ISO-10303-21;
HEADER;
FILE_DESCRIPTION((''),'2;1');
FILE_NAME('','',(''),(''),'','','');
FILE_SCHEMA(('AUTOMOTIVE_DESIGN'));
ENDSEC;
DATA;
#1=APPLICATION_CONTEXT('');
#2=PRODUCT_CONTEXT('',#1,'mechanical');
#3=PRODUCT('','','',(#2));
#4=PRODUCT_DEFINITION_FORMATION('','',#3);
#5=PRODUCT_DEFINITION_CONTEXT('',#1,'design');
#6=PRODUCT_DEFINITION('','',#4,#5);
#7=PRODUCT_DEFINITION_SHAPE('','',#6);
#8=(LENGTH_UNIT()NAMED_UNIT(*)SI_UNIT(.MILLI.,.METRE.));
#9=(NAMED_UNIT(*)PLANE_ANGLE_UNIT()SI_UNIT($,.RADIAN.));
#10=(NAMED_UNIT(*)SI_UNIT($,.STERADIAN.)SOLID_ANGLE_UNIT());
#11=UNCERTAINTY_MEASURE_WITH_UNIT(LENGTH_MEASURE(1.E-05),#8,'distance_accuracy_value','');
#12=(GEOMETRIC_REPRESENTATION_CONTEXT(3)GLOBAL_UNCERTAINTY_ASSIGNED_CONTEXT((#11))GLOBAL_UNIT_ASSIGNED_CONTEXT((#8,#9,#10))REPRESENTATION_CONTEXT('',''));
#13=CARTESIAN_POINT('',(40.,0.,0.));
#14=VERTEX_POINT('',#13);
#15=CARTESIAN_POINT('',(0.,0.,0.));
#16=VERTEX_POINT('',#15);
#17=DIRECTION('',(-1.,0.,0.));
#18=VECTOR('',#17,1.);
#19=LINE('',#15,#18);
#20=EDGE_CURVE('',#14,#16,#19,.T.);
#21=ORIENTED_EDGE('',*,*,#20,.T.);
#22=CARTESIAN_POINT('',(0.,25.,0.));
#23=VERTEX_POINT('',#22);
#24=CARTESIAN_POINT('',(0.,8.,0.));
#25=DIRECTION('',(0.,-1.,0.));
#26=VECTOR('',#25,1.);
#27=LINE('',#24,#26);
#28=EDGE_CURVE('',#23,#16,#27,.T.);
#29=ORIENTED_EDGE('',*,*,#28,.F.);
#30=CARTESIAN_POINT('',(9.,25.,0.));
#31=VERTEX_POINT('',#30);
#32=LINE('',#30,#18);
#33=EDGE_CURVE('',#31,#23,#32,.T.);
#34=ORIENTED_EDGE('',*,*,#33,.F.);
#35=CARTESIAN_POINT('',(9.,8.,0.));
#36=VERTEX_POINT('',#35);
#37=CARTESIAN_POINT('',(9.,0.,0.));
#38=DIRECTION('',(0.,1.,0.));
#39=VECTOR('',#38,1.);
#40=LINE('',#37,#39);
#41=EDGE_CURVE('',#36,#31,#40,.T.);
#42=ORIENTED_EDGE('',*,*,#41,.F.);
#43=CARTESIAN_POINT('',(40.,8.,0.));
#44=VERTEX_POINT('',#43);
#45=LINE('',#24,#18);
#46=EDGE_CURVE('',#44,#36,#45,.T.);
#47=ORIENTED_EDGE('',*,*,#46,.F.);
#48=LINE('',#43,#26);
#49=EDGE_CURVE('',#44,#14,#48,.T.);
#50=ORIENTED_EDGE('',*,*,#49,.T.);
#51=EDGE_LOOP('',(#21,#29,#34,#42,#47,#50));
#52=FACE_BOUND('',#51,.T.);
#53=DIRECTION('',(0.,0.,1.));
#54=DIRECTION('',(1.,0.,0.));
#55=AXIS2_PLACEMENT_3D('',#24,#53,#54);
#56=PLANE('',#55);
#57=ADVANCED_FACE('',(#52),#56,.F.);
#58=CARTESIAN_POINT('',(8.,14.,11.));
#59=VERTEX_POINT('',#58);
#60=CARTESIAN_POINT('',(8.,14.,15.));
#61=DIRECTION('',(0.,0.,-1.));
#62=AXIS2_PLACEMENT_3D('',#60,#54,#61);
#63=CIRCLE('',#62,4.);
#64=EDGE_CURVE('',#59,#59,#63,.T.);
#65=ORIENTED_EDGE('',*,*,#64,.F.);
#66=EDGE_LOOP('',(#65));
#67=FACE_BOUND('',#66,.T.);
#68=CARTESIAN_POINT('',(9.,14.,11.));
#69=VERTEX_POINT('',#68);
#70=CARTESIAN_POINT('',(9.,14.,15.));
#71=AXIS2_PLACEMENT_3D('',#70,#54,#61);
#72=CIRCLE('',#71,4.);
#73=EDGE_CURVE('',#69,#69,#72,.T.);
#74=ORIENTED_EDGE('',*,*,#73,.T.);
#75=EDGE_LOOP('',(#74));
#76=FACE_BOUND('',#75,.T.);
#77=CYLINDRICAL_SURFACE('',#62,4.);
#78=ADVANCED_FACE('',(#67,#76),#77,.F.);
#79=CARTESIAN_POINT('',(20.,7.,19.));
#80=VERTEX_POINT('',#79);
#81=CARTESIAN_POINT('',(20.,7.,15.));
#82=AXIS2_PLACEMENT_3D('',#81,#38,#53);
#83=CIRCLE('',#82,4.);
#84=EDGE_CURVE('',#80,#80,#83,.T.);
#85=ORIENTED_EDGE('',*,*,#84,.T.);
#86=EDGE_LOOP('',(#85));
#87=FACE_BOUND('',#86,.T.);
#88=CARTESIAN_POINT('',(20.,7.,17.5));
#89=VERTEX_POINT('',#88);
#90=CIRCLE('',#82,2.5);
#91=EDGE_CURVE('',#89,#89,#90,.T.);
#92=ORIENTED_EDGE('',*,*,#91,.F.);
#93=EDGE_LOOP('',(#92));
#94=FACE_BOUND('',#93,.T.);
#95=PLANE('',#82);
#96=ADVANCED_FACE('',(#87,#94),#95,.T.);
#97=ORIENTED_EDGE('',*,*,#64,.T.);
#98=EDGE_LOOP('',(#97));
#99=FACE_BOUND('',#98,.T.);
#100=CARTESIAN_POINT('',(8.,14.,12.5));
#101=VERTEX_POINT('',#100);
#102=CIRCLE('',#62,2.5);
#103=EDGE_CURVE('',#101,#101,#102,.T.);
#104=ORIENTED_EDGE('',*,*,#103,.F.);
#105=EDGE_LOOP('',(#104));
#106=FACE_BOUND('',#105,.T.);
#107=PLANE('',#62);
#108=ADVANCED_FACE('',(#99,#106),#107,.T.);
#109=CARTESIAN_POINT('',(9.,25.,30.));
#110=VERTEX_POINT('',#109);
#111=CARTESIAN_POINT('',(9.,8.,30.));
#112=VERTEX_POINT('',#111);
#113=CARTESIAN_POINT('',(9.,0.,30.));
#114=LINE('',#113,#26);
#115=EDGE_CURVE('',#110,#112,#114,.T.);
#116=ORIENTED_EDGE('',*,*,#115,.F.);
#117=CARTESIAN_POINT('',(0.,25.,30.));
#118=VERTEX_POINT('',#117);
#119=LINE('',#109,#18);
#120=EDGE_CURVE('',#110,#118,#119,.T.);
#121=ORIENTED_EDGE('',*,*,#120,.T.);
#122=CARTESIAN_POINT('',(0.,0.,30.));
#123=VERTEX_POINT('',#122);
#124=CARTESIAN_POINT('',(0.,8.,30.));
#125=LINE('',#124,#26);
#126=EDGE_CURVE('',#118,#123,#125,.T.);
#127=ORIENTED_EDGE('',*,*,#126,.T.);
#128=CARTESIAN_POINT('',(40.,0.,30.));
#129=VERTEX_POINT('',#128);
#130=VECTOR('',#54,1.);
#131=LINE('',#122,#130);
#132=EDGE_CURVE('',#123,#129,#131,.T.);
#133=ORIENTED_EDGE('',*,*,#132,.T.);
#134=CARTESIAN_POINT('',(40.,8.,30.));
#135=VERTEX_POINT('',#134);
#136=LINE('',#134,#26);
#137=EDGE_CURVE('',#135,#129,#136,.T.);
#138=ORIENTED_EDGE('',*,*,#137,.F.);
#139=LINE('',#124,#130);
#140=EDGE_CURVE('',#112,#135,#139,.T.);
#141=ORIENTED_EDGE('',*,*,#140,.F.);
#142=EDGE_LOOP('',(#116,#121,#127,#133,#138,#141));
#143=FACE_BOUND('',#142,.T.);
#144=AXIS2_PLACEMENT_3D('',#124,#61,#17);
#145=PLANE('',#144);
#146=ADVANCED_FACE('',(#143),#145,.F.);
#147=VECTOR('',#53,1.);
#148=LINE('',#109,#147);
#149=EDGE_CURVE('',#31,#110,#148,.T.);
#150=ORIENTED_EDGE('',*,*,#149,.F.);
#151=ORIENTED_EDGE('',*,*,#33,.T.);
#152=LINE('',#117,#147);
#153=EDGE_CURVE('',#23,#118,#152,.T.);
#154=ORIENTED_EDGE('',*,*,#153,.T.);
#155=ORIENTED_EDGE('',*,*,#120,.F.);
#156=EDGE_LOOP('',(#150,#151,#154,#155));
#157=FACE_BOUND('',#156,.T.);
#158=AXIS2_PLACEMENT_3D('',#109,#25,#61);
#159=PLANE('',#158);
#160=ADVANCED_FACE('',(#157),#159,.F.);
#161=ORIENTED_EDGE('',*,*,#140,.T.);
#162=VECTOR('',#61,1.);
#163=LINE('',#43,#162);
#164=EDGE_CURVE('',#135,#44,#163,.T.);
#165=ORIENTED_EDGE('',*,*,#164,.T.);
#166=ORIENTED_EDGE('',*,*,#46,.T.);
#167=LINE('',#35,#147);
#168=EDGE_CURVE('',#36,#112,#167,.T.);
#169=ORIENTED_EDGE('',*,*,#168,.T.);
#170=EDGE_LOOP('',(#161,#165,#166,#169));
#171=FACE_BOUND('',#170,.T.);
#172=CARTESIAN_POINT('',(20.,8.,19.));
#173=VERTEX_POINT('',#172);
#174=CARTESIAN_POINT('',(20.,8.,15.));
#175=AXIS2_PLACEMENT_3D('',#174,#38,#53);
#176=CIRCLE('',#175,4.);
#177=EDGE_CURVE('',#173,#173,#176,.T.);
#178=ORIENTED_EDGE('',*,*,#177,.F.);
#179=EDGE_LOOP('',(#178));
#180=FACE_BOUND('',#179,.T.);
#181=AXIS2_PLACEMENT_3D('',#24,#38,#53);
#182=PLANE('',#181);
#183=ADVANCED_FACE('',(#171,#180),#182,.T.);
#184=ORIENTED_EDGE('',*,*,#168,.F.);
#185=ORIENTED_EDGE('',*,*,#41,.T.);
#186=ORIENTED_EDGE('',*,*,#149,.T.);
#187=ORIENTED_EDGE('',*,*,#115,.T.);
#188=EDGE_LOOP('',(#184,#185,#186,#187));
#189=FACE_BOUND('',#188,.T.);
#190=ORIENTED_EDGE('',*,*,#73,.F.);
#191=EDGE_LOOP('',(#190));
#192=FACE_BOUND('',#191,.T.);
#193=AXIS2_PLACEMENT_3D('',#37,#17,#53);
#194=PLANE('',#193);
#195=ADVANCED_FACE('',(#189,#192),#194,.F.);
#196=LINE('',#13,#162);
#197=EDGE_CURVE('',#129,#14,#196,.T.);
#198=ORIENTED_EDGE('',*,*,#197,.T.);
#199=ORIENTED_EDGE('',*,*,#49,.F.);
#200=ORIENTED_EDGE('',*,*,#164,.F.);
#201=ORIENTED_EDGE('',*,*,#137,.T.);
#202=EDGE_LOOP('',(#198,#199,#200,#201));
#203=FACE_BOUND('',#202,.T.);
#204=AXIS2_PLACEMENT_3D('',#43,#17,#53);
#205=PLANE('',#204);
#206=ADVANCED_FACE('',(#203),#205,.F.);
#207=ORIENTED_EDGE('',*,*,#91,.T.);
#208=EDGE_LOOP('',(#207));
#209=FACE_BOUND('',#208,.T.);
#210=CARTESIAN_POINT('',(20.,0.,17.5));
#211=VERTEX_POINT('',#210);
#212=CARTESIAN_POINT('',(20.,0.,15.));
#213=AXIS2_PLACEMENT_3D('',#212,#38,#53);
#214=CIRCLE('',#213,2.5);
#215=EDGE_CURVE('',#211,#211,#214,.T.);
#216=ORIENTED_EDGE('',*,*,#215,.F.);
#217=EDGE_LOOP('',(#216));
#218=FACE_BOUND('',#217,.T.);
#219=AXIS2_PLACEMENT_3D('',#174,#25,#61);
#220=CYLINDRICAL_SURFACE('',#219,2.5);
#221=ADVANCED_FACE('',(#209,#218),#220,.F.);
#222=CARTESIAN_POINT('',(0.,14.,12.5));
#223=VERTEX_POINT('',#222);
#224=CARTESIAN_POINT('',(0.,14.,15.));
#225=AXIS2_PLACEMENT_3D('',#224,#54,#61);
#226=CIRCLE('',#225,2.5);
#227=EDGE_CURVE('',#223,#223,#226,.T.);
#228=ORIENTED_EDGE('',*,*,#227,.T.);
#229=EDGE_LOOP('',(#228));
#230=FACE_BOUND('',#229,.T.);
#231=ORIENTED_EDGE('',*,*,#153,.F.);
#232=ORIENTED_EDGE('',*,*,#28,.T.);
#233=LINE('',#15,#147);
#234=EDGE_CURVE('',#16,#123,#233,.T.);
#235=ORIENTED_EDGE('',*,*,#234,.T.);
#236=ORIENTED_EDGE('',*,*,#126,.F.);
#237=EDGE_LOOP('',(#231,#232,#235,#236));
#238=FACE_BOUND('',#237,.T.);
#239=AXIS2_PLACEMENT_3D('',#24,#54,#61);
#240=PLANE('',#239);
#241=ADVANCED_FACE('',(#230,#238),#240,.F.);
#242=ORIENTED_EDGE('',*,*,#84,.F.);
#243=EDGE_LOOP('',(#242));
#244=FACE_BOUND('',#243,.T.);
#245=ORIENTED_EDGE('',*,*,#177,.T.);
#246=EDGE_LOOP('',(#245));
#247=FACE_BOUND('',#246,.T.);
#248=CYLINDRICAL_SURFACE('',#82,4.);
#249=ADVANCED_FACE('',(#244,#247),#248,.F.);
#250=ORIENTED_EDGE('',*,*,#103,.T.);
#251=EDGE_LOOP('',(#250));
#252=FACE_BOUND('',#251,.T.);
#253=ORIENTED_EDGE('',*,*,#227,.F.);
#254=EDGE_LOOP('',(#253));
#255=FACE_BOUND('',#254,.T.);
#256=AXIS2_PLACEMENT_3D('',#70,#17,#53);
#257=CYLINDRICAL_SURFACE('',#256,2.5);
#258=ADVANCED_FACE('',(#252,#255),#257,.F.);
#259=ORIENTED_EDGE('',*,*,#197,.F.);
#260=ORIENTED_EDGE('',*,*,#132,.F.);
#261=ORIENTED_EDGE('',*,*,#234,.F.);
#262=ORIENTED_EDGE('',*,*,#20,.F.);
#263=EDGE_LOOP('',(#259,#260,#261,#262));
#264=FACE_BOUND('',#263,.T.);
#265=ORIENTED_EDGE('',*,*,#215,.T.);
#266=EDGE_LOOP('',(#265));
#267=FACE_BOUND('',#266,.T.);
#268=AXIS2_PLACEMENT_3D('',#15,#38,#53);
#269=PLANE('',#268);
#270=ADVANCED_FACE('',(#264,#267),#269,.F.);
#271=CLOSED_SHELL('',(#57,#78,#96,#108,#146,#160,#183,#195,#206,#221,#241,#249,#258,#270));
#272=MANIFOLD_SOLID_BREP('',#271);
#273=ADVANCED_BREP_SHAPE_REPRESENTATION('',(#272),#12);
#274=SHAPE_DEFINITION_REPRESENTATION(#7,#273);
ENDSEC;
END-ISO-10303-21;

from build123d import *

# Parameters (mm, degrees)
SKETCH_3_W          = 40
SKETCH_3_H          = 30
SKETCH_3_R          = 2.5
EXTRUDE_3_DEPTH     = 8
SKETCH_4_W          = 30
SKETCH_4_H          = 25
SKETCH_4_R          = 2.5
EXTRUDE_4_DEPTH     = 9
SKETCH_5_R          = 4
CUT_EXTRUDE_1_DEPTH = 1
SKETCH_6_R          = 4
CUT_EXTRUDE_2_DEPTH = 1


with BuildPart() as part:
    # 스케치3 → 보스-돌출3 (new body)
    with BuildSketch(Plane(origin=(0, 0, 0), x_dir=(1, 0, 0), z_dir=(0, 1, 0))):
        with Locations((20, -15)):
            Rectangle(SKETCH_3_W, SKETCH_3_H)
        with Locations(Location((20, -15, 0), (0, 0, 270))):
            Circle(SKETCH_3_R, mode=Mode.SUBTRACT)
    extrude(amount=EXTRUDE_3_DEPTH)

    # 스케치4 → 보스-돌출4 (add)
    with BuildSketch(Plane(origin=(0, 0, 0), x_dir=(0, 0, -1), z_dir=(1, 0, 0))):
        with Locations((-15, 12.5)):
            Rectangle(SKETCH_4_W, SKETCH_4_H)
        with Locations((-15, 14)):
            Circle(SKETCH_4_R, mode=Mode.SUBTRACT)
    extrude(amount=EXTRUDE_4_DEPTH)

    # 스케치5 → 컷-돌출1 (cut)
    with BuildSketch(Plane(origin=(0, 8, 0), x_dir=(1, 0, 0), z_dir=(0, 1, 0))):
        with Locations(Location((20, -15, 0), (0, 0, 270))):
            Circle(SKETCH_5_R)
    extrude(amount=-CUT_EXTRUDE_1_DEPTH, mode=Mode.SUBTRACT)

    # 스케치6 → 컷-돌출2 (cut)
    with BuildSketch(Plane(origin=(9, 0, 0), x_dir=(0, 0, -1), z_dir=(1, 0, 0))):
        with Locations((-15, 14)):
            Circle(SKETCH_6_R)
    extrude(amount=-CUT_EXTRUDE_2_DEPTH, mode=Mode.SUBTRACT)


solid = part.part
